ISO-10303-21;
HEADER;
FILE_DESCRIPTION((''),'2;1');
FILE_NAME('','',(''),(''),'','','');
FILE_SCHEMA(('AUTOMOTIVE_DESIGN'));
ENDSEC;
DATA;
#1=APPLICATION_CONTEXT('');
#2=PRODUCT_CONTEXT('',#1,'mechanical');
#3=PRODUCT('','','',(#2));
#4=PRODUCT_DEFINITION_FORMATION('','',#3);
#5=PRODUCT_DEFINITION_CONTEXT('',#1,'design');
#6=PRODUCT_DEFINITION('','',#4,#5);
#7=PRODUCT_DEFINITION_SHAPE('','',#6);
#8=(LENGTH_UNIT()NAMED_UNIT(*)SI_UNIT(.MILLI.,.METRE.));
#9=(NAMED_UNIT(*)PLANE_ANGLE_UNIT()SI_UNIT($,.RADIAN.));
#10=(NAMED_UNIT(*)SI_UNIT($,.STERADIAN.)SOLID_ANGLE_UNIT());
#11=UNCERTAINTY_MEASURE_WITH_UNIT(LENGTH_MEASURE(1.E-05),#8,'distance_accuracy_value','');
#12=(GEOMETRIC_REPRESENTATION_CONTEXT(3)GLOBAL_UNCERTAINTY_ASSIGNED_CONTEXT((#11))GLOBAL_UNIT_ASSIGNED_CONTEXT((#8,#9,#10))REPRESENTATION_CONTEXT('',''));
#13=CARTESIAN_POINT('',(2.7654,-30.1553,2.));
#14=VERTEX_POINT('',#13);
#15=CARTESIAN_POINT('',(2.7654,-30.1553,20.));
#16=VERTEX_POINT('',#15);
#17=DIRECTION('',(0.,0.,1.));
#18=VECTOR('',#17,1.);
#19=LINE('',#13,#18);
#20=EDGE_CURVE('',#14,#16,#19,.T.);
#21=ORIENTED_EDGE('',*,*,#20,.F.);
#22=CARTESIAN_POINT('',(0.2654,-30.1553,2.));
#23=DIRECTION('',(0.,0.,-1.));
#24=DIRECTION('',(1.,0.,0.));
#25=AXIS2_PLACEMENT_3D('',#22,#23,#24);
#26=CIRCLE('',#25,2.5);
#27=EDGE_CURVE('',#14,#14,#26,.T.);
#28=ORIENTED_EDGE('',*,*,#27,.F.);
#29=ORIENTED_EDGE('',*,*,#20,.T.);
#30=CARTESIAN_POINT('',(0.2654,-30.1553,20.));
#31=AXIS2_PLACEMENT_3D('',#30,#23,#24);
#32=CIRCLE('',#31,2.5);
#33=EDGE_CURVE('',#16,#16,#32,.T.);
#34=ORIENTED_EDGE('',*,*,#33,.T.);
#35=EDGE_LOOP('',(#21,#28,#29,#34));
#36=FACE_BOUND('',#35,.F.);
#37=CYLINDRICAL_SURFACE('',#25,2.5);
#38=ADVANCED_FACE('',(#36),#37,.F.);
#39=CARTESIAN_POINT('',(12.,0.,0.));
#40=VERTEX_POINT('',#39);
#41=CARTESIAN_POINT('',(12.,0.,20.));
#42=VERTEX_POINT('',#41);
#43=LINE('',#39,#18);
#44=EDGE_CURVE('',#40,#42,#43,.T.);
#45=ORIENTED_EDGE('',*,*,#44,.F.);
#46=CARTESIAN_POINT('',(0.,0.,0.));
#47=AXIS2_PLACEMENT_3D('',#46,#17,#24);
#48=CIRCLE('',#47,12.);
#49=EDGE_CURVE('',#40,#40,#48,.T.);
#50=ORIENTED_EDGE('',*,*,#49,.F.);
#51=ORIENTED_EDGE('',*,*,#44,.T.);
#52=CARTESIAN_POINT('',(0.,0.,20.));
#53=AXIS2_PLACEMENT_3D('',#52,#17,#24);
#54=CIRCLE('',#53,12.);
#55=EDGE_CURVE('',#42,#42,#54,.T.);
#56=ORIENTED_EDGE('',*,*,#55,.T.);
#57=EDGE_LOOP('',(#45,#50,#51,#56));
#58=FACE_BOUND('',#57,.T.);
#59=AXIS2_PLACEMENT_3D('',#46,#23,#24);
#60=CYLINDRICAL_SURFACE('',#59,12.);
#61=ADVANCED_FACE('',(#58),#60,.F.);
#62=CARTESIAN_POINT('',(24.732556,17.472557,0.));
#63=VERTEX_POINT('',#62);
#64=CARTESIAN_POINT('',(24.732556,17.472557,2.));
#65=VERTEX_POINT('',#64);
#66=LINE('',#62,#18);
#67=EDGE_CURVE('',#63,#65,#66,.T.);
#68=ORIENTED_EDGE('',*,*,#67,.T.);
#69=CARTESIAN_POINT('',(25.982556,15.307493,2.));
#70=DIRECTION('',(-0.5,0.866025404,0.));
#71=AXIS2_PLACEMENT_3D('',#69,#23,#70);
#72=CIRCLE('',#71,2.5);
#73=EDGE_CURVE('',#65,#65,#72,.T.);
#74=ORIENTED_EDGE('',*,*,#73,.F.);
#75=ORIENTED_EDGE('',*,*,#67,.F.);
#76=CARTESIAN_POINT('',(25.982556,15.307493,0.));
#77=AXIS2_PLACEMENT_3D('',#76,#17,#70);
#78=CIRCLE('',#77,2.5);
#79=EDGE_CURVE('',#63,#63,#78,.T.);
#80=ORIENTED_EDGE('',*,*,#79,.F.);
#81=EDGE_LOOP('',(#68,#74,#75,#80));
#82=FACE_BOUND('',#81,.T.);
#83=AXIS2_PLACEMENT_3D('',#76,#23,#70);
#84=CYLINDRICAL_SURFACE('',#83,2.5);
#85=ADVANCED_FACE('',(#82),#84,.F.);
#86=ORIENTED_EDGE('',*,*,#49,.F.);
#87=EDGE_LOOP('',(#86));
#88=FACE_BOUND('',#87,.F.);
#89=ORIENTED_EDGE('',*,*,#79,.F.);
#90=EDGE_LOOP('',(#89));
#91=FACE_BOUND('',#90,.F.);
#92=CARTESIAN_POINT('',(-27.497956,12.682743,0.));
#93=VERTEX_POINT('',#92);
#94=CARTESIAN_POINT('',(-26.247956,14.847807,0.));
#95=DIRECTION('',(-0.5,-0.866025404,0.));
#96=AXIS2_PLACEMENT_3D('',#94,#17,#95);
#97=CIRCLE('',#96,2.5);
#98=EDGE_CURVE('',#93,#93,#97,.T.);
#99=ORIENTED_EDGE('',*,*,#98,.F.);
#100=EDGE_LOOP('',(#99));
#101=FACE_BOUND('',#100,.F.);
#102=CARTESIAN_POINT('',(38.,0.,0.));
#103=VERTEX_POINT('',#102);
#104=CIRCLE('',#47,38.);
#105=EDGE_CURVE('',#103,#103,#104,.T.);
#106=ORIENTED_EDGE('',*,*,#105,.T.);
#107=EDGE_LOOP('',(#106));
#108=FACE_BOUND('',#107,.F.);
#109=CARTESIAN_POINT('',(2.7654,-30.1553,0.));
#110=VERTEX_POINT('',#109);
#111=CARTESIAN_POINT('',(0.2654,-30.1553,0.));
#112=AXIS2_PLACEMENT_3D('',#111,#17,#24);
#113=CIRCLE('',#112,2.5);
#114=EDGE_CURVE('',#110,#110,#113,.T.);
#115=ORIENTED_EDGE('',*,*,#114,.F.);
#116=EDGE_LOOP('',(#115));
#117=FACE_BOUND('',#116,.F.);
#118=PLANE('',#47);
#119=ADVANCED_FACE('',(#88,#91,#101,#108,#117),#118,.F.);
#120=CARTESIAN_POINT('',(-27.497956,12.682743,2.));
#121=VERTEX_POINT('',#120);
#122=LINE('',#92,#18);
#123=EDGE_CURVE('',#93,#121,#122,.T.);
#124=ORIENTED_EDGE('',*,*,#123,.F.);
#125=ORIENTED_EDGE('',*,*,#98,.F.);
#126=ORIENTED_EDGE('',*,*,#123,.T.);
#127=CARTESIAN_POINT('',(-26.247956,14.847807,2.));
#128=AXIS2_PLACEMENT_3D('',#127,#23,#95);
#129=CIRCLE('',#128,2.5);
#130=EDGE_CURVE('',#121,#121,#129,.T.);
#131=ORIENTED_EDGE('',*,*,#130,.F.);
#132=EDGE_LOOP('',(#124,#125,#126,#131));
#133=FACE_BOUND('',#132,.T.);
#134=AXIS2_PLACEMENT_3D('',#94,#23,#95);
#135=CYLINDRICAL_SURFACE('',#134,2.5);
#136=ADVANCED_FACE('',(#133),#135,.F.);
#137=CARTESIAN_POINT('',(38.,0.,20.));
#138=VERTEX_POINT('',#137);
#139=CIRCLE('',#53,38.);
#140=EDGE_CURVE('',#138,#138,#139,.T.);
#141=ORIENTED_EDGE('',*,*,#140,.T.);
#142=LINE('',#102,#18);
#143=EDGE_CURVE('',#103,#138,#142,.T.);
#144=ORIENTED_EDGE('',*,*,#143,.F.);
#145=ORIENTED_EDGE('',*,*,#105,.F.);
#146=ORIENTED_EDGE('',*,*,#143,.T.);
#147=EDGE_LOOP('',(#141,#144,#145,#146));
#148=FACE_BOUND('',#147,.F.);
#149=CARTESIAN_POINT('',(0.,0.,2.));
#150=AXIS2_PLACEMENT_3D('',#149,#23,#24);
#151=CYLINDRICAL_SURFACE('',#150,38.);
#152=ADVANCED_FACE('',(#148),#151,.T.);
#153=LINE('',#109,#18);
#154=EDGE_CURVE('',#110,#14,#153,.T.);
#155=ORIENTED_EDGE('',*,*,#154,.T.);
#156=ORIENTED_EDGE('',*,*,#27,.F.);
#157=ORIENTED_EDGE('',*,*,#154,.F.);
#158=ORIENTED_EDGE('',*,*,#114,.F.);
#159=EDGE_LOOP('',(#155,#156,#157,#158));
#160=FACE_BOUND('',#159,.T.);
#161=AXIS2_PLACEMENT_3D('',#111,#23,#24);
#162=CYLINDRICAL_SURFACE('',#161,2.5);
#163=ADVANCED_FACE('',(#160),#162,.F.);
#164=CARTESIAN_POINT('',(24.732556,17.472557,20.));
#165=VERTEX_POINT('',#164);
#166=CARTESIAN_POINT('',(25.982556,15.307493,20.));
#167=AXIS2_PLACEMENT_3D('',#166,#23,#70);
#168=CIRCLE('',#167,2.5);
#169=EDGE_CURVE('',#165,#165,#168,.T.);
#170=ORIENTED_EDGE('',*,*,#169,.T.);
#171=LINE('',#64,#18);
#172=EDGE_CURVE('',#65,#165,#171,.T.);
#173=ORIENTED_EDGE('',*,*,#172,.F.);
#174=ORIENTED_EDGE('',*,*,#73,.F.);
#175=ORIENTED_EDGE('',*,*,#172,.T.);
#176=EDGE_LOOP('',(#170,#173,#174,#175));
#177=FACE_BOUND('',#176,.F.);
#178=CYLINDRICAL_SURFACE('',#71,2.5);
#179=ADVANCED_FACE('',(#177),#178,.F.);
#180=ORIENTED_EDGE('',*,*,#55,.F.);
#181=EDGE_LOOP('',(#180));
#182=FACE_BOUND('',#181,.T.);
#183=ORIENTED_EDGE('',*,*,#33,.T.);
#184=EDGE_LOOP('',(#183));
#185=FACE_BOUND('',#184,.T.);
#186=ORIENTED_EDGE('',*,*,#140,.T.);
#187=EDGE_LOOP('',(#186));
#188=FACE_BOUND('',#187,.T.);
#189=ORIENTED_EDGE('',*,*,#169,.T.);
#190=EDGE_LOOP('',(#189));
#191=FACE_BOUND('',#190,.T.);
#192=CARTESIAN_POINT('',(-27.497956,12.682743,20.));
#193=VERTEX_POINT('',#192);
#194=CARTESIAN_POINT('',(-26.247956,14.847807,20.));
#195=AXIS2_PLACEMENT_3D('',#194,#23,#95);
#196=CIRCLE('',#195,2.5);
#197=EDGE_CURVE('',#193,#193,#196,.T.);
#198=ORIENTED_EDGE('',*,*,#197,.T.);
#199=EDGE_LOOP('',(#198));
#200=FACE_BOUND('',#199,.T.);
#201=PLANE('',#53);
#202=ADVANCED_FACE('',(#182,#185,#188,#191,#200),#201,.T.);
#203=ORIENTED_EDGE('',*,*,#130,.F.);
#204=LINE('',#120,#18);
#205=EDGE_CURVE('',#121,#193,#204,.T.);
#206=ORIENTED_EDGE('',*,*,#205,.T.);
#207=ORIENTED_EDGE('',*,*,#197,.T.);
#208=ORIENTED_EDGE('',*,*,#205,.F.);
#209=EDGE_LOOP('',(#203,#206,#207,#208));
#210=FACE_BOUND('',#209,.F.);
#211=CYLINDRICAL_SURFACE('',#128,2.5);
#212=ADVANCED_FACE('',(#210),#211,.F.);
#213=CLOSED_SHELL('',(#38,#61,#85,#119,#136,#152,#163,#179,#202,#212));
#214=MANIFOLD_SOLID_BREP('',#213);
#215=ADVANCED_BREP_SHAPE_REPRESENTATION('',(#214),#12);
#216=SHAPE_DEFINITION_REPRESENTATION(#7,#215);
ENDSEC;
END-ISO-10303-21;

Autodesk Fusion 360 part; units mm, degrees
sketch "Sketch1" plane through (0, 0, 0) normal (0, 0, 1) x (1, 0, 0)
  circle A0 centre (0, 0) radius 12
  circle A1 centre (0, 0) radius 22.5
  circle A2 centre (0, 0) radius 38
  dimension "d1" = 45
  dimension "d2" = 24
  dimension "d3" = 76
extrude "Extrude1" add sketch "Sketch1" along normal blind 20 contours A1
sketch "Sketch2" plane through (0, 0, 0) normal (0, 0, 1) x (1, 0, 0)
  circle A0 centre (0.2654, -30.1553) radius 2.5
  dimension "d8" = 5
extrude "Extrude4" add sketch "Sketch1" along normal blind 2 contours A1 | A2
extrude "Extrude5" cut sketch "Sketch2" along normal blind 6.312
pattern_circular "C-Pattern2" count 3 over 360 about axis through (0, 0, 2) along (0, 0, 1) of "Extrude5"
extrude "돌출6" add 1 faces at (-20.8034, 21.3677, 2) along direction (0, 0, 1) blind 18
